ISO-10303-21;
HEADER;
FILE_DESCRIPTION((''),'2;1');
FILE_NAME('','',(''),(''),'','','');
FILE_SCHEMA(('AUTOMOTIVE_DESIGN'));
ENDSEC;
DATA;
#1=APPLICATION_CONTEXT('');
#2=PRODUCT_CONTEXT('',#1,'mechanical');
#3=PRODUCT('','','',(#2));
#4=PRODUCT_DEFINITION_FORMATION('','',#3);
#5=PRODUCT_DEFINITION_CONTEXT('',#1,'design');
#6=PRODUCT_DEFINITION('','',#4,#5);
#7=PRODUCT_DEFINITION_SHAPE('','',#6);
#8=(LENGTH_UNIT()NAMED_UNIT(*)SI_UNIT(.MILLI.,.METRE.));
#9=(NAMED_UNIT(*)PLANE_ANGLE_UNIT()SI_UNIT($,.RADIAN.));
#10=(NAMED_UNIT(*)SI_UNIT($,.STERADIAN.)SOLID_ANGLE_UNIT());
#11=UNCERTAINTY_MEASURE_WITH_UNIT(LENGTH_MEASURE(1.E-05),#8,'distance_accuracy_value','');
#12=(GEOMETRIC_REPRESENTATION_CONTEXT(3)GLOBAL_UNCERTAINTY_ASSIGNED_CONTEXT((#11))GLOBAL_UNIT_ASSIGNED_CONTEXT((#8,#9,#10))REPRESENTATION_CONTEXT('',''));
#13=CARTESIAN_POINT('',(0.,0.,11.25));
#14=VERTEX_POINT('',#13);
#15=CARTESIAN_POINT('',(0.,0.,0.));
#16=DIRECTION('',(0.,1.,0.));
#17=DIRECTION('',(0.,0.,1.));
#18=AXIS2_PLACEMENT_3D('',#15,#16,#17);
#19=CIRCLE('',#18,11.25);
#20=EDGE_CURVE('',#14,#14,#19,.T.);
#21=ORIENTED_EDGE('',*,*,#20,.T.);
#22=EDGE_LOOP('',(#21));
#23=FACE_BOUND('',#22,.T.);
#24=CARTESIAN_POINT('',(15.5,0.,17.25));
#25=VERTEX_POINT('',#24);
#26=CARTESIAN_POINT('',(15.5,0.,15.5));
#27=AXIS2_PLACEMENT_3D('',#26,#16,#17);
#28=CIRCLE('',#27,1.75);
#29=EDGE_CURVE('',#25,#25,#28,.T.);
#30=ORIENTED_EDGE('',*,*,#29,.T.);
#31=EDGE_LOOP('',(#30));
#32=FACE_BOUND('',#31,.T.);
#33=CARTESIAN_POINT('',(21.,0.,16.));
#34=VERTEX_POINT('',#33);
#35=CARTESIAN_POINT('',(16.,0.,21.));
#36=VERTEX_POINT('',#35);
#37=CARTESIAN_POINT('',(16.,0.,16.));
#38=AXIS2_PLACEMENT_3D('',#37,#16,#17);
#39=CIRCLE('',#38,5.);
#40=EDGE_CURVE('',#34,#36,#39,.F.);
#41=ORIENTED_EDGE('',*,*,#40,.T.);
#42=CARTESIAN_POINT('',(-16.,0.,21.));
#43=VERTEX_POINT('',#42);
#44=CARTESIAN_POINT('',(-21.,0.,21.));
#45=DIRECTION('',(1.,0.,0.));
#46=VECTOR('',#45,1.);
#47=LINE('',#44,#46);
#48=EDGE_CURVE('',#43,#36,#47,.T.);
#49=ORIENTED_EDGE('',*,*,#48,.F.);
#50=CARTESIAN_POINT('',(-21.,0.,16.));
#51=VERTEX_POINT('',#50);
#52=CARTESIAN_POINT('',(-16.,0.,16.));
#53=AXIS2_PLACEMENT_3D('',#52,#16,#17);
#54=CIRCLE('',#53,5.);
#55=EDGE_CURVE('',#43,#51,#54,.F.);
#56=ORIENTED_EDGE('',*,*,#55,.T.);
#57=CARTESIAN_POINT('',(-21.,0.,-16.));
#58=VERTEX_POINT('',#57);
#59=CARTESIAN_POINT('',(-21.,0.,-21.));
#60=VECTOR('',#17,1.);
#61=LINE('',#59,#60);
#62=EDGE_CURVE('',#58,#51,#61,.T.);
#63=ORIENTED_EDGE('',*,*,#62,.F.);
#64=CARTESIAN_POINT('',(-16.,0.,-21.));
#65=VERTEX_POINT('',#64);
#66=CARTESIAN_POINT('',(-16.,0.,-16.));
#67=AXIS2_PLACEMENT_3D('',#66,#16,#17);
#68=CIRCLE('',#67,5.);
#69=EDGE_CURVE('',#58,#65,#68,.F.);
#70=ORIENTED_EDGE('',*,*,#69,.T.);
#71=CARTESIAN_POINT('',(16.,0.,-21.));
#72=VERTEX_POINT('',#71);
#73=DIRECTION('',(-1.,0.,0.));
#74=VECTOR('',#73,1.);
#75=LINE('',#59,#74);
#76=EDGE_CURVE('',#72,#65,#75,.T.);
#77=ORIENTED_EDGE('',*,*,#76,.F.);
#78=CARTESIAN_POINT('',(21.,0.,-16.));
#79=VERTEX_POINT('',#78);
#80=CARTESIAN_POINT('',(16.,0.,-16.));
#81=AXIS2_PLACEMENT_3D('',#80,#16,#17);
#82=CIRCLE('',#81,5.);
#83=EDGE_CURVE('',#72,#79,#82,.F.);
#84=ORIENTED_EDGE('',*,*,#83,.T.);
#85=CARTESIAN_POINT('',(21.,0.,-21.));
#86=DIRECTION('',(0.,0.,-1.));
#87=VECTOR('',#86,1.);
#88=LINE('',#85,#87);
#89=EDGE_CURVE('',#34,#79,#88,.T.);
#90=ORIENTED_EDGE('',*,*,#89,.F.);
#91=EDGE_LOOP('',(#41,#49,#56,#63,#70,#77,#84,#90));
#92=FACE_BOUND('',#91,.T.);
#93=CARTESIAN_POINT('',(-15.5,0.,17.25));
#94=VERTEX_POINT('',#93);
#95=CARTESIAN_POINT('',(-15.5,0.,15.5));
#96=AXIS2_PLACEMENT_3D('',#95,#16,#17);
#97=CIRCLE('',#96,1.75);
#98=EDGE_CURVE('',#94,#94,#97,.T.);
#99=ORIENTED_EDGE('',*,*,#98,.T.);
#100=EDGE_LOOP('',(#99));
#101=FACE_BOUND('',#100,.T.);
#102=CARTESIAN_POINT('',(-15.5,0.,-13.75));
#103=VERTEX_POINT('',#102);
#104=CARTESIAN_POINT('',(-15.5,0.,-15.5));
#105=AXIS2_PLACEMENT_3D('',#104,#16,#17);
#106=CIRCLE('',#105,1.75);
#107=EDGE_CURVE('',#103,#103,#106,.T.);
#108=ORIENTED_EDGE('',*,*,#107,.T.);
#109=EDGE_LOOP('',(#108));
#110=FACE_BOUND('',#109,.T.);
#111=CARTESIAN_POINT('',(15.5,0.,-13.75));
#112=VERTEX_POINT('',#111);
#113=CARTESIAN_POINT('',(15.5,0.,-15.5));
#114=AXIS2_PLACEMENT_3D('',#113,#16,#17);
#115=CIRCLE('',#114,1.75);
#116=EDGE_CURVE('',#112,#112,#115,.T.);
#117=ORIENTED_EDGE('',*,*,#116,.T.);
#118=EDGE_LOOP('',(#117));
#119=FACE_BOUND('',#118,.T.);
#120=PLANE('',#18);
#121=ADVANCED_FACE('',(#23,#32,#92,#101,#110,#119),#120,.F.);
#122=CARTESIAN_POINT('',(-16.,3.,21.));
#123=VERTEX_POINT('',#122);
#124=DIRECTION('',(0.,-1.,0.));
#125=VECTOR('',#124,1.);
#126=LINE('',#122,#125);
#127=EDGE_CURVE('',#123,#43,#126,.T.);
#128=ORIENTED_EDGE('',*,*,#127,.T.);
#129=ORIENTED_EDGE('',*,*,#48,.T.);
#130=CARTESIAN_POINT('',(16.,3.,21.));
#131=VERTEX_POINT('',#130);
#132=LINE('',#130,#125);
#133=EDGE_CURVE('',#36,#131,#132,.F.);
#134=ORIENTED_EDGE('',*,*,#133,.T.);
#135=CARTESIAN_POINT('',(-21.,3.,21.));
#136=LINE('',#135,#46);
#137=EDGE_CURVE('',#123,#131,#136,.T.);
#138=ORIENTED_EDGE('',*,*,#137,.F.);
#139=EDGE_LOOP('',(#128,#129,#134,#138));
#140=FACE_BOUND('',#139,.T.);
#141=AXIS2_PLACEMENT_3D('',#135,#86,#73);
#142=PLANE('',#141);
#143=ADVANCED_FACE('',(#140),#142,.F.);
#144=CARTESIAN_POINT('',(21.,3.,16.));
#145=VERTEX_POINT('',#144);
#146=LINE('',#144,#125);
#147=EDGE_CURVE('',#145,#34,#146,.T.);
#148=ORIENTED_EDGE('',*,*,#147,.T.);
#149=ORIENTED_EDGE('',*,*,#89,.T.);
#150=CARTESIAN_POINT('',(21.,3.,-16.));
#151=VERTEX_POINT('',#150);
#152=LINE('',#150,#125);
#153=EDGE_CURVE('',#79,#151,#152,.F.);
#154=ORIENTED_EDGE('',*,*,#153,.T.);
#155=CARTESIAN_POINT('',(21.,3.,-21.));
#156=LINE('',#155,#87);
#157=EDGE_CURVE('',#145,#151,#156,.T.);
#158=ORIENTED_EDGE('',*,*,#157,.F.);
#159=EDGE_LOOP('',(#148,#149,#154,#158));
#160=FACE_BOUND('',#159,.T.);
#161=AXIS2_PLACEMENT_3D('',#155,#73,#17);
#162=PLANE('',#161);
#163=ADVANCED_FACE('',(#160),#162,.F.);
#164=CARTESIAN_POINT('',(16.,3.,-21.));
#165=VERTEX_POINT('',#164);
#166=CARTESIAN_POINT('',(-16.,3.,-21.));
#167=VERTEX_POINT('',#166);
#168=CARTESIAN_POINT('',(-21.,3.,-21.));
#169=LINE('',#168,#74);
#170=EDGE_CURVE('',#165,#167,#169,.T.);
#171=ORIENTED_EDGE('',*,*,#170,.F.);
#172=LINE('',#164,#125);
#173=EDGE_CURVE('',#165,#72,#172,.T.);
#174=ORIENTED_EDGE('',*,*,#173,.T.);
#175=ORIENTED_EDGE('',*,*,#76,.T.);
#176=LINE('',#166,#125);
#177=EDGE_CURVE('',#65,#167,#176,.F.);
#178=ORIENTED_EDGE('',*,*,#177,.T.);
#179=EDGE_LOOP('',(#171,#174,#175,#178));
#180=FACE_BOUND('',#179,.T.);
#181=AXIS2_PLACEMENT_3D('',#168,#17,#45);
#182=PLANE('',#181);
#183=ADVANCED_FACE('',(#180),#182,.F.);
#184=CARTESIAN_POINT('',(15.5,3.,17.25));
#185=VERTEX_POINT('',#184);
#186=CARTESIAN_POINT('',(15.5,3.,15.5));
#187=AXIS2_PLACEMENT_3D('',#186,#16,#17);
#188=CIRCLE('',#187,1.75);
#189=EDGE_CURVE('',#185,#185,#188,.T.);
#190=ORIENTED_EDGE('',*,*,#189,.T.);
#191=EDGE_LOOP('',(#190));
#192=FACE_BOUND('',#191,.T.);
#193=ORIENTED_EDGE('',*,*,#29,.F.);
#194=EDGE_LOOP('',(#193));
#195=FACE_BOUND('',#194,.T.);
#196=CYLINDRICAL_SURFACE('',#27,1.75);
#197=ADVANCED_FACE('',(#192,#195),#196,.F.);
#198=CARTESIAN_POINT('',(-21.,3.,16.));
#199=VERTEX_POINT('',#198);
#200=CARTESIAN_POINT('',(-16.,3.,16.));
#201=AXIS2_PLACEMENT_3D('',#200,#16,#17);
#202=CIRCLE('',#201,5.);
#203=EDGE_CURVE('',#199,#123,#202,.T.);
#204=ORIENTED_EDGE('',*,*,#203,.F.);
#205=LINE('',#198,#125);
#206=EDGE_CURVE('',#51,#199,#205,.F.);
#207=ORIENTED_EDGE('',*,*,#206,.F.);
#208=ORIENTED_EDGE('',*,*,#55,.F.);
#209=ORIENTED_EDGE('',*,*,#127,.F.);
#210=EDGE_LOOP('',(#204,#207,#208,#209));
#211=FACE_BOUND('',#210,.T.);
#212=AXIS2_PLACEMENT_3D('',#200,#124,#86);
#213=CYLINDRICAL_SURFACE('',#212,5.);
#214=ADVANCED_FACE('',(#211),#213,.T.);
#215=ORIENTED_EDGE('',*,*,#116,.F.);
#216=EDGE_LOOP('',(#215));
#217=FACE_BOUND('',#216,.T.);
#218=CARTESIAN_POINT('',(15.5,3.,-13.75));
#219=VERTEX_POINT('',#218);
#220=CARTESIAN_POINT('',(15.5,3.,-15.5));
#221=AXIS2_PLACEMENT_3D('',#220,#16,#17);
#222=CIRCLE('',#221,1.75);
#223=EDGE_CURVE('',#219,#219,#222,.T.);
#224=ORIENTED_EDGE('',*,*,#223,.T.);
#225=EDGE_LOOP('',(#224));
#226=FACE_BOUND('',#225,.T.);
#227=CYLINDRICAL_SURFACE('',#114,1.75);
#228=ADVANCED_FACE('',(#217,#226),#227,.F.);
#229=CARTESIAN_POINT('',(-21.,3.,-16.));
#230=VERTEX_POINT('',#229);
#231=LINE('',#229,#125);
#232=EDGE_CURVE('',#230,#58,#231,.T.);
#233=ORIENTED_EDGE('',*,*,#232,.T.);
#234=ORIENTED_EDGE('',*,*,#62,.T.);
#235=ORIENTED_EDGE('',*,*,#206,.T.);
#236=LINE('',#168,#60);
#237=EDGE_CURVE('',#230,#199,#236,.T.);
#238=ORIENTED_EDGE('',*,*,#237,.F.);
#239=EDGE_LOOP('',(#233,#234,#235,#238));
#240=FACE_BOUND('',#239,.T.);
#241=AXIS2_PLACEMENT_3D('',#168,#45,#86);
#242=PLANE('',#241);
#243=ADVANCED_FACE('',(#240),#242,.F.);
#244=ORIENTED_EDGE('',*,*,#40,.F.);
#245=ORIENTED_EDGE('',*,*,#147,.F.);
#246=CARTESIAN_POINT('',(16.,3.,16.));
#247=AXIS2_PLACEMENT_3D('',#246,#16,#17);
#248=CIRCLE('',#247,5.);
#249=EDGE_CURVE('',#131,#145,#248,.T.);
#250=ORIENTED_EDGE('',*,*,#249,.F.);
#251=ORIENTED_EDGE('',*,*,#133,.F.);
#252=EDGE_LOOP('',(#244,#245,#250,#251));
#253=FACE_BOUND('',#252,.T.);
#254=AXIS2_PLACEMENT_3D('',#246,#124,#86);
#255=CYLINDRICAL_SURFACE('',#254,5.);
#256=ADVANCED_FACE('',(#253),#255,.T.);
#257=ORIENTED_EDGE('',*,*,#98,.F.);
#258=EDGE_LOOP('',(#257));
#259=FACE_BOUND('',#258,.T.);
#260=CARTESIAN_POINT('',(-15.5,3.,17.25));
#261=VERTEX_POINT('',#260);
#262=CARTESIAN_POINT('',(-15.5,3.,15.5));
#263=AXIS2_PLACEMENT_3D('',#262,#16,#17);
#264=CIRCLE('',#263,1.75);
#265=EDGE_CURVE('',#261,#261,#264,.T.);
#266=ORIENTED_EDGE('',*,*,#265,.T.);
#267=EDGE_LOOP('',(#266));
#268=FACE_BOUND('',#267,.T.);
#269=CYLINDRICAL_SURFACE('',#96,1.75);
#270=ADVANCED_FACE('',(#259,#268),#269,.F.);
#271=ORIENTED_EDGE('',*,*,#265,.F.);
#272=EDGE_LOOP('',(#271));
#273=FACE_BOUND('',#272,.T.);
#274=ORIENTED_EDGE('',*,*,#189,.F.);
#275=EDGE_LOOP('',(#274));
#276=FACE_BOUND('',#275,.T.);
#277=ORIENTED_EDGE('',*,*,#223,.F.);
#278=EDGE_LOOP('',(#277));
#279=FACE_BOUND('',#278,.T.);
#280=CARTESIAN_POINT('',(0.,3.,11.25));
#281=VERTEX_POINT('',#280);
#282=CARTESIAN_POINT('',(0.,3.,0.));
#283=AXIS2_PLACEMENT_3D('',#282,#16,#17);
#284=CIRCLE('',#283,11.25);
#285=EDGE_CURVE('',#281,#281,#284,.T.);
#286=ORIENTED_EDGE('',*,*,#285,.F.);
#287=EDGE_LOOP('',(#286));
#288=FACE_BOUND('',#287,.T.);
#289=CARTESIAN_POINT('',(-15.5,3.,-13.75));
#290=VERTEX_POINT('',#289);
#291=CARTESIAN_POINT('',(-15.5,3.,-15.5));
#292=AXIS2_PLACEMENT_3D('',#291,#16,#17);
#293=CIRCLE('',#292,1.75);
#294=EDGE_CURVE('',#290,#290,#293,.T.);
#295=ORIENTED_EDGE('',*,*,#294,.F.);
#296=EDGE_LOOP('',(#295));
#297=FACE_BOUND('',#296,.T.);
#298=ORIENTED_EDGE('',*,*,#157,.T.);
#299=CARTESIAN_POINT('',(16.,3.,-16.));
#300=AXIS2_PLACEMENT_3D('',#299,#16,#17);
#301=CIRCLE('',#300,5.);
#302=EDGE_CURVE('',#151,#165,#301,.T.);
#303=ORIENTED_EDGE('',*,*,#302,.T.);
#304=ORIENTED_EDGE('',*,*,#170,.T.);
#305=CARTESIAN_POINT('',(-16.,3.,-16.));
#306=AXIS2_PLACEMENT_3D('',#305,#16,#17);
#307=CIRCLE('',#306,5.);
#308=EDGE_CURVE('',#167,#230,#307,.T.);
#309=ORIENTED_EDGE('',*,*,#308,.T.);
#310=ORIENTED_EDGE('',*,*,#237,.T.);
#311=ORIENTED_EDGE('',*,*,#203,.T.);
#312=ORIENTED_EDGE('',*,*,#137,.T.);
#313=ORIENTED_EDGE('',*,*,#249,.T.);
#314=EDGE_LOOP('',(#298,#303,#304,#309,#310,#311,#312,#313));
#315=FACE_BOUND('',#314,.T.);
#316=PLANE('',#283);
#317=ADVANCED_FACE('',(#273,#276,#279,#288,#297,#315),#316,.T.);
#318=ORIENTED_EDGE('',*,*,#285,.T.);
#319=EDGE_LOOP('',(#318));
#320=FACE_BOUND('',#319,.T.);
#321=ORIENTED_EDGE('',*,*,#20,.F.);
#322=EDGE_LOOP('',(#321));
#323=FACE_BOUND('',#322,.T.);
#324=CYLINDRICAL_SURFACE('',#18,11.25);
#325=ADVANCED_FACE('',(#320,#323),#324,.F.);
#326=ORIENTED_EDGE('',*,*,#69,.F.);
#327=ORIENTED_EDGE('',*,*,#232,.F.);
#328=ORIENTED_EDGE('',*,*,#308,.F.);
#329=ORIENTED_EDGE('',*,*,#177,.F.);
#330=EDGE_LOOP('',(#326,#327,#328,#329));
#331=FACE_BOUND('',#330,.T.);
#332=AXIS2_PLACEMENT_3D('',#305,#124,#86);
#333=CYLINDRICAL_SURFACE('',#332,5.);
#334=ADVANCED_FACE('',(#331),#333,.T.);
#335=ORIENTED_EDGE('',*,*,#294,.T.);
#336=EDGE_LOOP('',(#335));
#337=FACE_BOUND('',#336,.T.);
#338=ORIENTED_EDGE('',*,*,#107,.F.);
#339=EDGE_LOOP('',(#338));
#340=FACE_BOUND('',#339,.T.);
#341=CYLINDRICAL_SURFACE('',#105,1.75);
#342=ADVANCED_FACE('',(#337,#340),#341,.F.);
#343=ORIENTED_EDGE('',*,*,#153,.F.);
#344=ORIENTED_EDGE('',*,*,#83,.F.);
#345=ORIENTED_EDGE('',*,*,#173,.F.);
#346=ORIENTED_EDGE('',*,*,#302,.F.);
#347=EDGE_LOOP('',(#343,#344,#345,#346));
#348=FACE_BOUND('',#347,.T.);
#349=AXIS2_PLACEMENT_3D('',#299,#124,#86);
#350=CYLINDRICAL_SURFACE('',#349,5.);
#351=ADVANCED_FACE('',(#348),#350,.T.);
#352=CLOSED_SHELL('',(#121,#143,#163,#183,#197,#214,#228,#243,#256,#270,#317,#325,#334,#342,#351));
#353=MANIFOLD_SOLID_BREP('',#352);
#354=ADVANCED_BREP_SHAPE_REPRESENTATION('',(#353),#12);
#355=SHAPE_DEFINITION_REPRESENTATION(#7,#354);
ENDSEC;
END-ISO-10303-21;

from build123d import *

# Parameters (mm, degrees)
SKETCH1_W           = 42
SKETCH1_H           = 42
BOSS_EXTRUDE1_DEPTH = 3
SKETCH2_R           = 1.75
SKETCH2_R_2         = 11.25
CUT_EXTRUDE1_DEPTH  = 30.849623113
FILLET1_R           = 5


with BuildPart() as part:
    # Sketch1 → Boss-Extrude1 (new body)
    with BuildSketch(Plane(origin=(0, 0, 0), x_dir=(1, 0, 0), z_dir=(0, 1, 0))):
        Rectangle(SKETCH1_W, SKETCH1_H)
    extrude(amount=BOSS_EXTRUDE1_DEPTH)

    # Sketch2 → Cut-Extrude1 (cut, through all)
    with BuildSketch(Plane(origin=(0, 3, 0), x_dir=(1, 0, 0), z_dir=(0, 1, 0))):
        with Locations(Location((-15.5, 15.5, 0), (0, 0, 270))):
            Circle(SKETCH2_R)
        with Locations(Location((15.5, 15.5, 0), (0, 0, 270))):
            Circle(SKETCH2_R)
        with Locations(Location((15.5, -15.5, 0), (0, 0, 270))):
            Circle(SKETCH2_R)
        with Locations(Location((-15.5, -15.5, 0), (0, 0, 270))):
            Circle(SKETCH2_R)
        with Locations(Location((0, 0, 0), (0, 0, 270))):
            Circle(SKETCH2_R_2)
    extrude(amount=-CUT_EXTRUDE1_DEPTH, mode=Mode.SUBTRACT)

    # Fillet1
    fillet1_edges = [part.edges().sort_by_distance(p)[0] for p in [
        (21, 1.5, 21),
        (-21, 1.5, 21),
        (-21, 1.5, -21),
        (21, 1.5, -21),
    ]]
    fillet(fillet1_edges, radius=FILLET1_R)


solid = part.part
